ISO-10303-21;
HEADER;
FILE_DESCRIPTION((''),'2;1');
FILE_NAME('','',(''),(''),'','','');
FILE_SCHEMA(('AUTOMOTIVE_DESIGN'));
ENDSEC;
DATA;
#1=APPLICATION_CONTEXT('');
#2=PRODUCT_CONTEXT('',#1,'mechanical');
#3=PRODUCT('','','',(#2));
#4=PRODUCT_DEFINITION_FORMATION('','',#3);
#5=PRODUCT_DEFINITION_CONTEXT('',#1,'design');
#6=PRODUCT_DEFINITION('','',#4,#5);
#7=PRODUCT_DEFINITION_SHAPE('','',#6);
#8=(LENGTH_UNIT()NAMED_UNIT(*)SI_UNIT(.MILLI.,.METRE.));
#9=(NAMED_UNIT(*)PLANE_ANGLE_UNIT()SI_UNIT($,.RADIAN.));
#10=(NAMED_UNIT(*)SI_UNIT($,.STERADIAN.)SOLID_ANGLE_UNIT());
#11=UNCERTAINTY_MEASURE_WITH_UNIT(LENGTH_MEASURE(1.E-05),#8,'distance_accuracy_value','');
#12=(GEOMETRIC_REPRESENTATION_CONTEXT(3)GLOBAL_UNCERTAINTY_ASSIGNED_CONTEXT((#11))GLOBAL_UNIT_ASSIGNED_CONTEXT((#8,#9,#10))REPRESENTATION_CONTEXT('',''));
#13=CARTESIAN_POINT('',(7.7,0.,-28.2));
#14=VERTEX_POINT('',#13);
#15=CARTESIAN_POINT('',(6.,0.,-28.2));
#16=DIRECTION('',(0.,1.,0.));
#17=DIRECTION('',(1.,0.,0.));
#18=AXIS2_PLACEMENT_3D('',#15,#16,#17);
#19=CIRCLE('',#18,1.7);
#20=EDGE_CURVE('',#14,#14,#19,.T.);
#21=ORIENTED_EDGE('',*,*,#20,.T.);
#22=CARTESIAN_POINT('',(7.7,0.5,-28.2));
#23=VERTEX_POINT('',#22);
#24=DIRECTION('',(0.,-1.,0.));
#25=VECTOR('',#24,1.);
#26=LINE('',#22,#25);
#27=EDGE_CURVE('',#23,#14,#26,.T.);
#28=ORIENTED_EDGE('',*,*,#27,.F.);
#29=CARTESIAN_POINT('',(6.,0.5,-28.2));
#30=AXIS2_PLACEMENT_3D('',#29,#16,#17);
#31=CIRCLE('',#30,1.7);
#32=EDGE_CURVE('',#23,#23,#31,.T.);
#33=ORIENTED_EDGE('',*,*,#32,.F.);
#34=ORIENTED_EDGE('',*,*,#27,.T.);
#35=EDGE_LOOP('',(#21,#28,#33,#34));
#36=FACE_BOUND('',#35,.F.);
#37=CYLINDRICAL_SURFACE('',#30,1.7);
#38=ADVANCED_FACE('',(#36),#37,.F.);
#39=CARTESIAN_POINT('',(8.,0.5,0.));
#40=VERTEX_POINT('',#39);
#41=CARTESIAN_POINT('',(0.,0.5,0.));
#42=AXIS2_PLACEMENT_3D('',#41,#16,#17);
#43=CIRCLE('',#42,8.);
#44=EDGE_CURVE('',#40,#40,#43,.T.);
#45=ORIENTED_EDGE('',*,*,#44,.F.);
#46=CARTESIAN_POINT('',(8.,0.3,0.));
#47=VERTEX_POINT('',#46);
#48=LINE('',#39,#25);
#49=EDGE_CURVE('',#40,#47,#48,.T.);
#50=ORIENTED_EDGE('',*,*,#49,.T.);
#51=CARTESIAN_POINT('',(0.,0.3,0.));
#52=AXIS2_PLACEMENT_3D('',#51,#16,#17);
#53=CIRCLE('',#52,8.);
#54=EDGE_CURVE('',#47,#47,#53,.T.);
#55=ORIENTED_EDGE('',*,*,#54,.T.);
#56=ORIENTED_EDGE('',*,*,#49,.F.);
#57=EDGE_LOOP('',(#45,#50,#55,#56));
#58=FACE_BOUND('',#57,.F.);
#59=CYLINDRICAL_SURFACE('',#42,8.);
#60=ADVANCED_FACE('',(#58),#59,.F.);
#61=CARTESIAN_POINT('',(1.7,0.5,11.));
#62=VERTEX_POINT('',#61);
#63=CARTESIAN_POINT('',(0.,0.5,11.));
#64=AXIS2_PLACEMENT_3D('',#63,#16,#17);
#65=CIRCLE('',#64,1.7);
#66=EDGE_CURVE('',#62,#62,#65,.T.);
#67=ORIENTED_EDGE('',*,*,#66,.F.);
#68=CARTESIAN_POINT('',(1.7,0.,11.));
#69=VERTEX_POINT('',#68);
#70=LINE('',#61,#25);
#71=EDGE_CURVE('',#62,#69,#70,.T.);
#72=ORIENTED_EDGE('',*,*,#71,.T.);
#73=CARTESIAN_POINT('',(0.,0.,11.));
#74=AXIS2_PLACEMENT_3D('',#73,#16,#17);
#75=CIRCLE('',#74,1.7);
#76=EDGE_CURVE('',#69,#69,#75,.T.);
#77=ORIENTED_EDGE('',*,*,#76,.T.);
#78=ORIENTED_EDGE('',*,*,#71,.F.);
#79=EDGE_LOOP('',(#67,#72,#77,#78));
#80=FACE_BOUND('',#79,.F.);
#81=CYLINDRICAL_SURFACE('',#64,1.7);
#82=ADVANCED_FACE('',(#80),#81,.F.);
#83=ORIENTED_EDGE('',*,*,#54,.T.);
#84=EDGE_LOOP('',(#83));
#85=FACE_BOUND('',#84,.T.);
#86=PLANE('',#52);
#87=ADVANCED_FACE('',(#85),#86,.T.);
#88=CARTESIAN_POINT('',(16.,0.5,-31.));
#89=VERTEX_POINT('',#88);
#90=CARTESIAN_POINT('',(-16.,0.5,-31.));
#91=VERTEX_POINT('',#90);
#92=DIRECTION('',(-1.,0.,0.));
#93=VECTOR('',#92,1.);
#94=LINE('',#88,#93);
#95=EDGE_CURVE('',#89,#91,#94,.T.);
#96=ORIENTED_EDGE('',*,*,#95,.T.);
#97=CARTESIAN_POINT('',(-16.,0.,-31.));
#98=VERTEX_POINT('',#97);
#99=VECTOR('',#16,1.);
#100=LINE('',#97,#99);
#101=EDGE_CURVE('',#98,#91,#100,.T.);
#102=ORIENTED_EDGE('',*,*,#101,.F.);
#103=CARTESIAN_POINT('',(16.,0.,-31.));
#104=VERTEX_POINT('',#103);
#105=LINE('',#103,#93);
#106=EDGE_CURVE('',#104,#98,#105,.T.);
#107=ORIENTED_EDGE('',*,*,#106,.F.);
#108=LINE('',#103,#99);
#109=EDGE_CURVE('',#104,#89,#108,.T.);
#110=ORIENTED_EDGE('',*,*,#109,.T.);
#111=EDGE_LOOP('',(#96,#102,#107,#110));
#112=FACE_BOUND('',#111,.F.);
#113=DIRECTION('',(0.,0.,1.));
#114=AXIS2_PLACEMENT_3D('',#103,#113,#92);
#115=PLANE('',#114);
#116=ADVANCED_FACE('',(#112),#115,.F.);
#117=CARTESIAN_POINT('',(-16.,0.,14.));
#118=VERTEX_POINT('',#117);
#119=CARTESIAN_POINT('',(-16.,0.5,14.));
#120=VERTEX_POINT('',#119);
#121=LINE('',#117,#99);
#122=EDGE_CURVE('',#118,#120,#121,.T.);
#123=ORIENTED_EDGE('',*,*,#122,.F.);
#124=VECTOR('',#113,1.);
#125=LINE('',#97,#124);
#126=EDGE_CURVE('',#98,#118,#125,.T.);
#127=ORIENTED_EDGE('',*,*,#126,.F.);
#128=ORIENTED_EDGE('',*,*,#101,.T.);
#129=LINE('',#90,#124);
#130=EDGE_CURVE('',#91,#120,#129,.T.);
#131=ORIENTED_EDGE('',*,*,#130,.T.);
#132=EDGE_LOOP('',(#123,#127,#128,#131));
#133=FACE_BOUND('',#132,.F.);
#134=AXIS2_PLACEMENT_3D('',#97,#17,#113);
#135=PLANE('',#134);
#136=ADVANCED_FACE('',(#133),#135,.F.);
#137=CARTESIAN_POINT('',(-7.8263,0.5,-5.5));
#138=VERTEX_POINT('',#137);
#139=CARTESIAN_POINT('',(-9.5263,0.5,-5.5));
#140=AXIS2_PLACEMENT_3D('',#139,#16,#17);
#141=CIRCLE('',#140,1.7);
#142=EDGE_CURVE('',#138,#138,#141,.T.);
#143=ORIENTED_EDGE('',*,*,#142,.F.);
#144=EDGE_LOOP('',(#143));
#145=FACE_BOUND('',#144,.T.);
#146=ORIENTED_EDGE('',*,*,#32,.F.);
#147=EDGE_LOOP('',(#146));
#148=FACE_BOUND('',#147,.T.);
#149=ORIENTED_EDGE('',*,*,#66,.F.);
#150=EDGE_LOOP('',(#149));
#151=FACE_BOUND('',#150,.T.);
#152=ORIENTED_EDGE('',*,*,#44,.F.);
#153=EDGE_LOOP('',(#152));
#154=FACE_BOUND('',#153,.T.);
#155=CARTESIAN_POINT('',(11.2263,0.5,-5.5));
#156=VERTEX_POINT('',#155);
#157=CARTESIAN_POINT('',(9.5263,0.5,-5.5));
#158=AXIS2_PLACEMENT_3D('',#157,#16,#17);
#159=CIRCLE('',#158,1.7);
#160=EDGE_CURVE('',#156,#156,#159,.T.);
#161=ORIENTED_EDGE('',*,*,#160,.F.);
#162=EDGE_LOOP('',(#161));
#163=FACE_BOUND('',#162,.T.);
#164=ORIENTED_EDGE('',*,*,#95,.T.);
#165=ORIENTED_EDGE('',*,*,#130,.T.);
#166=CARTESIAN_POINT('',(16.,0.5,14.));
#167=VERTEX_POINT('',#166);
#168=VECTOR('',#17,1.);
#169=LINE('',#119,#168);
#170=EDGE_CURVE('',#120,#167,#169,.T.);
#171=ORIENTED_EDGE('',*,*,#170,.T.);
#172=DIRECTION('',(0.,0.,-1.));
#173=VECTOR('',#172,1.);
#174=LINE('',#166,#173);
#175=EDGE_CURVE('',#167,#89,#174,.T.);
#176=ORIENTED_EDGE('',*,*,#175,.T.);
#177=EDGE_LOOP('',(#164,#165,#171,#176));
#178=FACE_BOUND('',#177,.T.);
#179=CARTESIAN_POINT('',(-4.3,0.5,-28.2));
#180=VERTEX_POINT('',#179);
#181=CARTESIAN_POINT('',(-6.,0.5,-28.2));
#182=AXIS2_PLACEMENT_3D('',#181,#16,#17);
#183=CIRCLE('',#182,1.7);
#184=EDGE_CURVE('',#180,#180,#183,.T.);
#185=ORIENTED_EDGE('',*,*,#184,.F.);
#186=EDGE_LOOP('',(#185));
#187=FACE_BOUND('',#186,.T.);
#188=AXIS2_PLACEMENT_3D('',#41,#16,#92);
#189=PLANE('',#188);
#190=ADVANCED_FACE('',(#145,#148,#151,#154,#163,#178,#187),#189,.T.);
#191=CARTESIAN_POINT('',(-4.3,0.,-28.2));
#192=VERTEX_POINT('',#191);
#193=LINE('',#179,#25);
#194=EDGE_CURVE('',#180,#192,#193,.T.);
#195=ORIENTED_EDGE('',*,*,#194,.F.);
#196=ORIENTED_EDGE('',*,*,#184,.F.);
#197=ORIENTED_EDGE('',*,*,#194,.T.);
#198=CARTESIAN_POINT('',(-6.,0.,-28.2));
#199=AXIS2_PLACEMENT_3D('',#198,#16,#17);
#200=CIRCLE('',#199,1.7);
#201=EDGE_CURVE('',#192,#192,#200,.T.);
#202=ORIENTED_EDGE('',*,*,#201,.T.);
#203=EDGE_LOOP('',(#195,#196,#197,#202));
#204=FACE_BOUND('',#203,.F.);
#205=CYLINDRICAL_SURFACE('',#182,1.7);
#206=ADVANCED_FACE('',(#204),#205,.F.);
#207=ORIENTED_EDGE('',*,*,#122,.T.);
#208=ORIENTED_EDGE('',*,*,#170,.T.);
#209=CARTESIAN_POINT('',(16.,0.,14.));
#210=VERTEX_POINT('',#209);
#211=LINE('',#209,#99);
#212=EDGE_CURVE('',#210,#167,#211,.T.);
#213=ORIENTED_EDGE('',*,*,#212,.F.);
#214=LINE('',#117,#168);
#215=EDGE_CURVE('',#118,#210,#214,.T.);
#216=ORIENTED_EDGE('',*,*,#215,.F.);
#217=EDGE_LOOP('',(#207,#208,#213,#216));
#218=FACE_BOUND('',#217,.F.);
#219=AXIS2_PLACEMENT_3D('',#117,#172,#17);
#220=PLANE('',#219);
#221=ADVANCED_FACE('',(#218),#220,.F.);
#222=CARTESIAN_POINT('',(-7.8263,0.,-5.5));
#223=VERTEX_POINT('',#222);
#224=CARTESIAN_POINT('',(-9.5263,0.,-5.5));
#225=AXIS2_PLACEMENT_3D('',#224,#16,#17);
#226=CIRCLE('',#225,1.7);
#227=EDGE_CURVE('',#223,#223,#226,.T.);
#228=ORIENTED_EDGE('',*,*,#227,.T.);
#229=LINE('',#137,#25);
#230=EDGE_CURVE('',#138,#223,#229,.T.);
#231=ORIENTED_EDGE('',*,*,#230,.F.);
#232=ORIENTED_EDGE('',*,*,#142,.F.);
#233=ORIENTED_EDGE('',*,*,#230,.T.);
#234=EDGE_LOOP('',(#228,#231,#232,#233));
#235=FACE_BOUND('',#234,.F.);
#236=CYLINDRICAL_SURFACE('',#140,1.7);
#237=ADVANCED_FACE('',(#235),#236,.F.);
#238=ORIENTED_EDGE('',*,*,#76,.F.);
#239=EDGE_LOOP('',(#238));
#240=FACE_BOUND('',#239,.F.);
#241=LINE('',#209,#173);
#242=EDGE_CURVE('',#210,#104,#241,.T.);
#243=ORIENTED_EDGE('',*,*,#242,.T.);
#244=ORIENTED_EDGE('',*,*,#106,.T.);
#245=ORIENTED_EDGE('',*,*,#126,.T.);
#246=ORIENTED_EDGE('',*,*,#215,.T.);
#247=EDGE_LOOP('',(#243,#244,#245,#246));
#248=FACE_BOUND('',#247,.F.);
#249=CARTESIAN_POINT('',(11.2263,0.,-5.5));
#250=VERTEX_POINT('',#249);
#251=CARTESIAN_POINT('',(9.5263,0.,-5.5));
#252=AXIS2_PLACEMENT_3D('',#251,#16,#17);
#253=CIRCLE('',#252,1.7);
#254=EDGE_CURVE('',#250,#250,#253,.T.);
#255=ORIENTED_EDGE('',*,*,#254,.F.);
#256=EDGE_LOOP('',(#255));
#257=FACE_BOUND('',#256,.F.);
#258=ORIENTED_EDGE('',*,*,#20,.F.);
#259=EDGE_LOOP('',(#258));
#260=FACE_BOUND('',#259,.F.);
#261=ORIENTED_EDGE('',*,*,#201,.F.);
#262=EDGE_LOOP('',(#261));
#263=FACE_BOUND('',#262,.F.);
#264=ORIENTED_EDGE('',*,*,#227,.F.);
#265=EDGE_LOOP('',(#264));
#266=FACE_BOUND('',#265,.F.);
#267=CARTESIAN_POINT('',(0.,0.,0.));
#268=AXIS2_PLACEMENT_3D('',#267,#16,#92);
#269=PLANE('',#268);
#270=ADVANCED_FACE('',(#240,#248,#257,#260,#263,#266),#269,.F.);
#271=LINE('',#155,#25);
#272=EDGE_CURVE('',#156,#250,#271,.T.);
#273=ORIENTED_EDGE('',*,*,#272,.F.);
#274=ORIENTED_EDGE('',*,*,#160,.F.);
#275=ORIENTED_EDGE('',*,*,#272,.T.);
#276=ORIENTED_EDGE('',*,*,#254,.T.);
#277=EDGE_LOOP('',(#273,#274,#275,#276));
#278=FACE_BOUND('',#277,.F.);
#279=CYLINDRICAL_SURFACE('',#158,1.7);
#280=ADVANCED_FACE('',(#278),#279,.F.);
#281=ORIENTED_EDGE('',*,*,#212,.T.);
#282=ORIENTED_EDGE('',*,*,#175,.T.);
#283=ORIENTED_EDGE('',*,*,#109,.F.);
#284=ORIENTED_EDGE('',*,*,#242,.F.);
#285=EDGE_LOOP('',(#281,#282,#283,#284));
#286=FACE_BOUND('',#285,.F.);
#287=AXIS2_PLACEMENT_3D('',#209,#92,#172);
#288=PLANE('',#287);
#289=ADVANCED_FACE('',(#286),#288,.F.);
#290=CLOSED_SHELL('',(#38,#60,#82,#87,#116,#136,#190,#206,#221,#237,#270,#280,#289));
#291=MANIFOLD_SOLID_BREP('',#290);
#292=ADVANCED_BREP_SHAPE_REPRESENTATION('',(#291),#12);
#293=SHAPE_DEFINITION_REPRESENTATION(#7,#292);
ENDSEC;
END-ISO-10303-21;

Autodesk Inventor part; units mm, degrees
ref_plane "YZ Plane" through (0, 0, 0) normal (1, 0, 0) x (0, 1, 0)
ref_plane "XZ Plane" through (0, 0, 0) normal (0, 1, 0) x (-1, 0, 0)
ref_plane "XY Plane" through (0, 0, 0) normal (0, 0, 1) x (1, 0, 0)
sketch "スケッチ1" plane through (0, 0, 0) normal (0, 1, 0) x (-1, 0, 0)
  line L0 (16, -31) -> (16, 14)
  line L1 (16, 14) -> (-16, 14)
  line L2 (-16, 14) -> (-16, -31)
  line L3 (-16, -31) -> (16, -31)
  line L4 (0, 0) -> (0, -32.6995) construction
  point P0 (0, 14)
  dimension "d0" = 45
  dimension "d1" = 32
  dimension "d2" = 14
extrude "押し出し1" add sketch "スケッチ1" along normal blind 0.5
sketch "スケッチ4" plane through (0, 0.5, 0) normal (0, 1, 0) x (1, 0, 0)
  circle A0 centre (0, -11) radius 1.7
  line L0 (0, 0) -> (-18.7084, 0) construction
  circle A1 centre (-6, 28.2) radius 1.7
  circle A2 centre (6, 28.2) radius 1.7
  line L1 (0, 0) -> (0, 29.6633) construction
  line L2 (16, 31) -> (-16, 31) projected
  circle A3 centre (9.5263, 5.5) radius 1.7
  circle A4 centre (-9.5263, 5.5) radius 1.7
  point P0 (0, 31)
  dimension "d12" = 3.4
  dimension "d35" = 3.4
  dimension "d36" = 3.4
  dimension "d37" = 6
  dimension "d38" = 2.8
  dimension "d39" = 11
  dimension "d42" = 360
extrude "押し出し3" cut sketch "スケッチ4" against normal through all
sketch "スケッチ6" plane through (0, 0.5, 0) normal (0, 1, 0) x (1, 0, 0)
  circle A0 centre (0, 0) radius 8
  dimension "d44" = 16
extrude "押し出し5" cut sketch "スケッチ6" against normal blind 0.2
properties part number "B_holder_sub_5" material "ステンレス鋼 440C"
